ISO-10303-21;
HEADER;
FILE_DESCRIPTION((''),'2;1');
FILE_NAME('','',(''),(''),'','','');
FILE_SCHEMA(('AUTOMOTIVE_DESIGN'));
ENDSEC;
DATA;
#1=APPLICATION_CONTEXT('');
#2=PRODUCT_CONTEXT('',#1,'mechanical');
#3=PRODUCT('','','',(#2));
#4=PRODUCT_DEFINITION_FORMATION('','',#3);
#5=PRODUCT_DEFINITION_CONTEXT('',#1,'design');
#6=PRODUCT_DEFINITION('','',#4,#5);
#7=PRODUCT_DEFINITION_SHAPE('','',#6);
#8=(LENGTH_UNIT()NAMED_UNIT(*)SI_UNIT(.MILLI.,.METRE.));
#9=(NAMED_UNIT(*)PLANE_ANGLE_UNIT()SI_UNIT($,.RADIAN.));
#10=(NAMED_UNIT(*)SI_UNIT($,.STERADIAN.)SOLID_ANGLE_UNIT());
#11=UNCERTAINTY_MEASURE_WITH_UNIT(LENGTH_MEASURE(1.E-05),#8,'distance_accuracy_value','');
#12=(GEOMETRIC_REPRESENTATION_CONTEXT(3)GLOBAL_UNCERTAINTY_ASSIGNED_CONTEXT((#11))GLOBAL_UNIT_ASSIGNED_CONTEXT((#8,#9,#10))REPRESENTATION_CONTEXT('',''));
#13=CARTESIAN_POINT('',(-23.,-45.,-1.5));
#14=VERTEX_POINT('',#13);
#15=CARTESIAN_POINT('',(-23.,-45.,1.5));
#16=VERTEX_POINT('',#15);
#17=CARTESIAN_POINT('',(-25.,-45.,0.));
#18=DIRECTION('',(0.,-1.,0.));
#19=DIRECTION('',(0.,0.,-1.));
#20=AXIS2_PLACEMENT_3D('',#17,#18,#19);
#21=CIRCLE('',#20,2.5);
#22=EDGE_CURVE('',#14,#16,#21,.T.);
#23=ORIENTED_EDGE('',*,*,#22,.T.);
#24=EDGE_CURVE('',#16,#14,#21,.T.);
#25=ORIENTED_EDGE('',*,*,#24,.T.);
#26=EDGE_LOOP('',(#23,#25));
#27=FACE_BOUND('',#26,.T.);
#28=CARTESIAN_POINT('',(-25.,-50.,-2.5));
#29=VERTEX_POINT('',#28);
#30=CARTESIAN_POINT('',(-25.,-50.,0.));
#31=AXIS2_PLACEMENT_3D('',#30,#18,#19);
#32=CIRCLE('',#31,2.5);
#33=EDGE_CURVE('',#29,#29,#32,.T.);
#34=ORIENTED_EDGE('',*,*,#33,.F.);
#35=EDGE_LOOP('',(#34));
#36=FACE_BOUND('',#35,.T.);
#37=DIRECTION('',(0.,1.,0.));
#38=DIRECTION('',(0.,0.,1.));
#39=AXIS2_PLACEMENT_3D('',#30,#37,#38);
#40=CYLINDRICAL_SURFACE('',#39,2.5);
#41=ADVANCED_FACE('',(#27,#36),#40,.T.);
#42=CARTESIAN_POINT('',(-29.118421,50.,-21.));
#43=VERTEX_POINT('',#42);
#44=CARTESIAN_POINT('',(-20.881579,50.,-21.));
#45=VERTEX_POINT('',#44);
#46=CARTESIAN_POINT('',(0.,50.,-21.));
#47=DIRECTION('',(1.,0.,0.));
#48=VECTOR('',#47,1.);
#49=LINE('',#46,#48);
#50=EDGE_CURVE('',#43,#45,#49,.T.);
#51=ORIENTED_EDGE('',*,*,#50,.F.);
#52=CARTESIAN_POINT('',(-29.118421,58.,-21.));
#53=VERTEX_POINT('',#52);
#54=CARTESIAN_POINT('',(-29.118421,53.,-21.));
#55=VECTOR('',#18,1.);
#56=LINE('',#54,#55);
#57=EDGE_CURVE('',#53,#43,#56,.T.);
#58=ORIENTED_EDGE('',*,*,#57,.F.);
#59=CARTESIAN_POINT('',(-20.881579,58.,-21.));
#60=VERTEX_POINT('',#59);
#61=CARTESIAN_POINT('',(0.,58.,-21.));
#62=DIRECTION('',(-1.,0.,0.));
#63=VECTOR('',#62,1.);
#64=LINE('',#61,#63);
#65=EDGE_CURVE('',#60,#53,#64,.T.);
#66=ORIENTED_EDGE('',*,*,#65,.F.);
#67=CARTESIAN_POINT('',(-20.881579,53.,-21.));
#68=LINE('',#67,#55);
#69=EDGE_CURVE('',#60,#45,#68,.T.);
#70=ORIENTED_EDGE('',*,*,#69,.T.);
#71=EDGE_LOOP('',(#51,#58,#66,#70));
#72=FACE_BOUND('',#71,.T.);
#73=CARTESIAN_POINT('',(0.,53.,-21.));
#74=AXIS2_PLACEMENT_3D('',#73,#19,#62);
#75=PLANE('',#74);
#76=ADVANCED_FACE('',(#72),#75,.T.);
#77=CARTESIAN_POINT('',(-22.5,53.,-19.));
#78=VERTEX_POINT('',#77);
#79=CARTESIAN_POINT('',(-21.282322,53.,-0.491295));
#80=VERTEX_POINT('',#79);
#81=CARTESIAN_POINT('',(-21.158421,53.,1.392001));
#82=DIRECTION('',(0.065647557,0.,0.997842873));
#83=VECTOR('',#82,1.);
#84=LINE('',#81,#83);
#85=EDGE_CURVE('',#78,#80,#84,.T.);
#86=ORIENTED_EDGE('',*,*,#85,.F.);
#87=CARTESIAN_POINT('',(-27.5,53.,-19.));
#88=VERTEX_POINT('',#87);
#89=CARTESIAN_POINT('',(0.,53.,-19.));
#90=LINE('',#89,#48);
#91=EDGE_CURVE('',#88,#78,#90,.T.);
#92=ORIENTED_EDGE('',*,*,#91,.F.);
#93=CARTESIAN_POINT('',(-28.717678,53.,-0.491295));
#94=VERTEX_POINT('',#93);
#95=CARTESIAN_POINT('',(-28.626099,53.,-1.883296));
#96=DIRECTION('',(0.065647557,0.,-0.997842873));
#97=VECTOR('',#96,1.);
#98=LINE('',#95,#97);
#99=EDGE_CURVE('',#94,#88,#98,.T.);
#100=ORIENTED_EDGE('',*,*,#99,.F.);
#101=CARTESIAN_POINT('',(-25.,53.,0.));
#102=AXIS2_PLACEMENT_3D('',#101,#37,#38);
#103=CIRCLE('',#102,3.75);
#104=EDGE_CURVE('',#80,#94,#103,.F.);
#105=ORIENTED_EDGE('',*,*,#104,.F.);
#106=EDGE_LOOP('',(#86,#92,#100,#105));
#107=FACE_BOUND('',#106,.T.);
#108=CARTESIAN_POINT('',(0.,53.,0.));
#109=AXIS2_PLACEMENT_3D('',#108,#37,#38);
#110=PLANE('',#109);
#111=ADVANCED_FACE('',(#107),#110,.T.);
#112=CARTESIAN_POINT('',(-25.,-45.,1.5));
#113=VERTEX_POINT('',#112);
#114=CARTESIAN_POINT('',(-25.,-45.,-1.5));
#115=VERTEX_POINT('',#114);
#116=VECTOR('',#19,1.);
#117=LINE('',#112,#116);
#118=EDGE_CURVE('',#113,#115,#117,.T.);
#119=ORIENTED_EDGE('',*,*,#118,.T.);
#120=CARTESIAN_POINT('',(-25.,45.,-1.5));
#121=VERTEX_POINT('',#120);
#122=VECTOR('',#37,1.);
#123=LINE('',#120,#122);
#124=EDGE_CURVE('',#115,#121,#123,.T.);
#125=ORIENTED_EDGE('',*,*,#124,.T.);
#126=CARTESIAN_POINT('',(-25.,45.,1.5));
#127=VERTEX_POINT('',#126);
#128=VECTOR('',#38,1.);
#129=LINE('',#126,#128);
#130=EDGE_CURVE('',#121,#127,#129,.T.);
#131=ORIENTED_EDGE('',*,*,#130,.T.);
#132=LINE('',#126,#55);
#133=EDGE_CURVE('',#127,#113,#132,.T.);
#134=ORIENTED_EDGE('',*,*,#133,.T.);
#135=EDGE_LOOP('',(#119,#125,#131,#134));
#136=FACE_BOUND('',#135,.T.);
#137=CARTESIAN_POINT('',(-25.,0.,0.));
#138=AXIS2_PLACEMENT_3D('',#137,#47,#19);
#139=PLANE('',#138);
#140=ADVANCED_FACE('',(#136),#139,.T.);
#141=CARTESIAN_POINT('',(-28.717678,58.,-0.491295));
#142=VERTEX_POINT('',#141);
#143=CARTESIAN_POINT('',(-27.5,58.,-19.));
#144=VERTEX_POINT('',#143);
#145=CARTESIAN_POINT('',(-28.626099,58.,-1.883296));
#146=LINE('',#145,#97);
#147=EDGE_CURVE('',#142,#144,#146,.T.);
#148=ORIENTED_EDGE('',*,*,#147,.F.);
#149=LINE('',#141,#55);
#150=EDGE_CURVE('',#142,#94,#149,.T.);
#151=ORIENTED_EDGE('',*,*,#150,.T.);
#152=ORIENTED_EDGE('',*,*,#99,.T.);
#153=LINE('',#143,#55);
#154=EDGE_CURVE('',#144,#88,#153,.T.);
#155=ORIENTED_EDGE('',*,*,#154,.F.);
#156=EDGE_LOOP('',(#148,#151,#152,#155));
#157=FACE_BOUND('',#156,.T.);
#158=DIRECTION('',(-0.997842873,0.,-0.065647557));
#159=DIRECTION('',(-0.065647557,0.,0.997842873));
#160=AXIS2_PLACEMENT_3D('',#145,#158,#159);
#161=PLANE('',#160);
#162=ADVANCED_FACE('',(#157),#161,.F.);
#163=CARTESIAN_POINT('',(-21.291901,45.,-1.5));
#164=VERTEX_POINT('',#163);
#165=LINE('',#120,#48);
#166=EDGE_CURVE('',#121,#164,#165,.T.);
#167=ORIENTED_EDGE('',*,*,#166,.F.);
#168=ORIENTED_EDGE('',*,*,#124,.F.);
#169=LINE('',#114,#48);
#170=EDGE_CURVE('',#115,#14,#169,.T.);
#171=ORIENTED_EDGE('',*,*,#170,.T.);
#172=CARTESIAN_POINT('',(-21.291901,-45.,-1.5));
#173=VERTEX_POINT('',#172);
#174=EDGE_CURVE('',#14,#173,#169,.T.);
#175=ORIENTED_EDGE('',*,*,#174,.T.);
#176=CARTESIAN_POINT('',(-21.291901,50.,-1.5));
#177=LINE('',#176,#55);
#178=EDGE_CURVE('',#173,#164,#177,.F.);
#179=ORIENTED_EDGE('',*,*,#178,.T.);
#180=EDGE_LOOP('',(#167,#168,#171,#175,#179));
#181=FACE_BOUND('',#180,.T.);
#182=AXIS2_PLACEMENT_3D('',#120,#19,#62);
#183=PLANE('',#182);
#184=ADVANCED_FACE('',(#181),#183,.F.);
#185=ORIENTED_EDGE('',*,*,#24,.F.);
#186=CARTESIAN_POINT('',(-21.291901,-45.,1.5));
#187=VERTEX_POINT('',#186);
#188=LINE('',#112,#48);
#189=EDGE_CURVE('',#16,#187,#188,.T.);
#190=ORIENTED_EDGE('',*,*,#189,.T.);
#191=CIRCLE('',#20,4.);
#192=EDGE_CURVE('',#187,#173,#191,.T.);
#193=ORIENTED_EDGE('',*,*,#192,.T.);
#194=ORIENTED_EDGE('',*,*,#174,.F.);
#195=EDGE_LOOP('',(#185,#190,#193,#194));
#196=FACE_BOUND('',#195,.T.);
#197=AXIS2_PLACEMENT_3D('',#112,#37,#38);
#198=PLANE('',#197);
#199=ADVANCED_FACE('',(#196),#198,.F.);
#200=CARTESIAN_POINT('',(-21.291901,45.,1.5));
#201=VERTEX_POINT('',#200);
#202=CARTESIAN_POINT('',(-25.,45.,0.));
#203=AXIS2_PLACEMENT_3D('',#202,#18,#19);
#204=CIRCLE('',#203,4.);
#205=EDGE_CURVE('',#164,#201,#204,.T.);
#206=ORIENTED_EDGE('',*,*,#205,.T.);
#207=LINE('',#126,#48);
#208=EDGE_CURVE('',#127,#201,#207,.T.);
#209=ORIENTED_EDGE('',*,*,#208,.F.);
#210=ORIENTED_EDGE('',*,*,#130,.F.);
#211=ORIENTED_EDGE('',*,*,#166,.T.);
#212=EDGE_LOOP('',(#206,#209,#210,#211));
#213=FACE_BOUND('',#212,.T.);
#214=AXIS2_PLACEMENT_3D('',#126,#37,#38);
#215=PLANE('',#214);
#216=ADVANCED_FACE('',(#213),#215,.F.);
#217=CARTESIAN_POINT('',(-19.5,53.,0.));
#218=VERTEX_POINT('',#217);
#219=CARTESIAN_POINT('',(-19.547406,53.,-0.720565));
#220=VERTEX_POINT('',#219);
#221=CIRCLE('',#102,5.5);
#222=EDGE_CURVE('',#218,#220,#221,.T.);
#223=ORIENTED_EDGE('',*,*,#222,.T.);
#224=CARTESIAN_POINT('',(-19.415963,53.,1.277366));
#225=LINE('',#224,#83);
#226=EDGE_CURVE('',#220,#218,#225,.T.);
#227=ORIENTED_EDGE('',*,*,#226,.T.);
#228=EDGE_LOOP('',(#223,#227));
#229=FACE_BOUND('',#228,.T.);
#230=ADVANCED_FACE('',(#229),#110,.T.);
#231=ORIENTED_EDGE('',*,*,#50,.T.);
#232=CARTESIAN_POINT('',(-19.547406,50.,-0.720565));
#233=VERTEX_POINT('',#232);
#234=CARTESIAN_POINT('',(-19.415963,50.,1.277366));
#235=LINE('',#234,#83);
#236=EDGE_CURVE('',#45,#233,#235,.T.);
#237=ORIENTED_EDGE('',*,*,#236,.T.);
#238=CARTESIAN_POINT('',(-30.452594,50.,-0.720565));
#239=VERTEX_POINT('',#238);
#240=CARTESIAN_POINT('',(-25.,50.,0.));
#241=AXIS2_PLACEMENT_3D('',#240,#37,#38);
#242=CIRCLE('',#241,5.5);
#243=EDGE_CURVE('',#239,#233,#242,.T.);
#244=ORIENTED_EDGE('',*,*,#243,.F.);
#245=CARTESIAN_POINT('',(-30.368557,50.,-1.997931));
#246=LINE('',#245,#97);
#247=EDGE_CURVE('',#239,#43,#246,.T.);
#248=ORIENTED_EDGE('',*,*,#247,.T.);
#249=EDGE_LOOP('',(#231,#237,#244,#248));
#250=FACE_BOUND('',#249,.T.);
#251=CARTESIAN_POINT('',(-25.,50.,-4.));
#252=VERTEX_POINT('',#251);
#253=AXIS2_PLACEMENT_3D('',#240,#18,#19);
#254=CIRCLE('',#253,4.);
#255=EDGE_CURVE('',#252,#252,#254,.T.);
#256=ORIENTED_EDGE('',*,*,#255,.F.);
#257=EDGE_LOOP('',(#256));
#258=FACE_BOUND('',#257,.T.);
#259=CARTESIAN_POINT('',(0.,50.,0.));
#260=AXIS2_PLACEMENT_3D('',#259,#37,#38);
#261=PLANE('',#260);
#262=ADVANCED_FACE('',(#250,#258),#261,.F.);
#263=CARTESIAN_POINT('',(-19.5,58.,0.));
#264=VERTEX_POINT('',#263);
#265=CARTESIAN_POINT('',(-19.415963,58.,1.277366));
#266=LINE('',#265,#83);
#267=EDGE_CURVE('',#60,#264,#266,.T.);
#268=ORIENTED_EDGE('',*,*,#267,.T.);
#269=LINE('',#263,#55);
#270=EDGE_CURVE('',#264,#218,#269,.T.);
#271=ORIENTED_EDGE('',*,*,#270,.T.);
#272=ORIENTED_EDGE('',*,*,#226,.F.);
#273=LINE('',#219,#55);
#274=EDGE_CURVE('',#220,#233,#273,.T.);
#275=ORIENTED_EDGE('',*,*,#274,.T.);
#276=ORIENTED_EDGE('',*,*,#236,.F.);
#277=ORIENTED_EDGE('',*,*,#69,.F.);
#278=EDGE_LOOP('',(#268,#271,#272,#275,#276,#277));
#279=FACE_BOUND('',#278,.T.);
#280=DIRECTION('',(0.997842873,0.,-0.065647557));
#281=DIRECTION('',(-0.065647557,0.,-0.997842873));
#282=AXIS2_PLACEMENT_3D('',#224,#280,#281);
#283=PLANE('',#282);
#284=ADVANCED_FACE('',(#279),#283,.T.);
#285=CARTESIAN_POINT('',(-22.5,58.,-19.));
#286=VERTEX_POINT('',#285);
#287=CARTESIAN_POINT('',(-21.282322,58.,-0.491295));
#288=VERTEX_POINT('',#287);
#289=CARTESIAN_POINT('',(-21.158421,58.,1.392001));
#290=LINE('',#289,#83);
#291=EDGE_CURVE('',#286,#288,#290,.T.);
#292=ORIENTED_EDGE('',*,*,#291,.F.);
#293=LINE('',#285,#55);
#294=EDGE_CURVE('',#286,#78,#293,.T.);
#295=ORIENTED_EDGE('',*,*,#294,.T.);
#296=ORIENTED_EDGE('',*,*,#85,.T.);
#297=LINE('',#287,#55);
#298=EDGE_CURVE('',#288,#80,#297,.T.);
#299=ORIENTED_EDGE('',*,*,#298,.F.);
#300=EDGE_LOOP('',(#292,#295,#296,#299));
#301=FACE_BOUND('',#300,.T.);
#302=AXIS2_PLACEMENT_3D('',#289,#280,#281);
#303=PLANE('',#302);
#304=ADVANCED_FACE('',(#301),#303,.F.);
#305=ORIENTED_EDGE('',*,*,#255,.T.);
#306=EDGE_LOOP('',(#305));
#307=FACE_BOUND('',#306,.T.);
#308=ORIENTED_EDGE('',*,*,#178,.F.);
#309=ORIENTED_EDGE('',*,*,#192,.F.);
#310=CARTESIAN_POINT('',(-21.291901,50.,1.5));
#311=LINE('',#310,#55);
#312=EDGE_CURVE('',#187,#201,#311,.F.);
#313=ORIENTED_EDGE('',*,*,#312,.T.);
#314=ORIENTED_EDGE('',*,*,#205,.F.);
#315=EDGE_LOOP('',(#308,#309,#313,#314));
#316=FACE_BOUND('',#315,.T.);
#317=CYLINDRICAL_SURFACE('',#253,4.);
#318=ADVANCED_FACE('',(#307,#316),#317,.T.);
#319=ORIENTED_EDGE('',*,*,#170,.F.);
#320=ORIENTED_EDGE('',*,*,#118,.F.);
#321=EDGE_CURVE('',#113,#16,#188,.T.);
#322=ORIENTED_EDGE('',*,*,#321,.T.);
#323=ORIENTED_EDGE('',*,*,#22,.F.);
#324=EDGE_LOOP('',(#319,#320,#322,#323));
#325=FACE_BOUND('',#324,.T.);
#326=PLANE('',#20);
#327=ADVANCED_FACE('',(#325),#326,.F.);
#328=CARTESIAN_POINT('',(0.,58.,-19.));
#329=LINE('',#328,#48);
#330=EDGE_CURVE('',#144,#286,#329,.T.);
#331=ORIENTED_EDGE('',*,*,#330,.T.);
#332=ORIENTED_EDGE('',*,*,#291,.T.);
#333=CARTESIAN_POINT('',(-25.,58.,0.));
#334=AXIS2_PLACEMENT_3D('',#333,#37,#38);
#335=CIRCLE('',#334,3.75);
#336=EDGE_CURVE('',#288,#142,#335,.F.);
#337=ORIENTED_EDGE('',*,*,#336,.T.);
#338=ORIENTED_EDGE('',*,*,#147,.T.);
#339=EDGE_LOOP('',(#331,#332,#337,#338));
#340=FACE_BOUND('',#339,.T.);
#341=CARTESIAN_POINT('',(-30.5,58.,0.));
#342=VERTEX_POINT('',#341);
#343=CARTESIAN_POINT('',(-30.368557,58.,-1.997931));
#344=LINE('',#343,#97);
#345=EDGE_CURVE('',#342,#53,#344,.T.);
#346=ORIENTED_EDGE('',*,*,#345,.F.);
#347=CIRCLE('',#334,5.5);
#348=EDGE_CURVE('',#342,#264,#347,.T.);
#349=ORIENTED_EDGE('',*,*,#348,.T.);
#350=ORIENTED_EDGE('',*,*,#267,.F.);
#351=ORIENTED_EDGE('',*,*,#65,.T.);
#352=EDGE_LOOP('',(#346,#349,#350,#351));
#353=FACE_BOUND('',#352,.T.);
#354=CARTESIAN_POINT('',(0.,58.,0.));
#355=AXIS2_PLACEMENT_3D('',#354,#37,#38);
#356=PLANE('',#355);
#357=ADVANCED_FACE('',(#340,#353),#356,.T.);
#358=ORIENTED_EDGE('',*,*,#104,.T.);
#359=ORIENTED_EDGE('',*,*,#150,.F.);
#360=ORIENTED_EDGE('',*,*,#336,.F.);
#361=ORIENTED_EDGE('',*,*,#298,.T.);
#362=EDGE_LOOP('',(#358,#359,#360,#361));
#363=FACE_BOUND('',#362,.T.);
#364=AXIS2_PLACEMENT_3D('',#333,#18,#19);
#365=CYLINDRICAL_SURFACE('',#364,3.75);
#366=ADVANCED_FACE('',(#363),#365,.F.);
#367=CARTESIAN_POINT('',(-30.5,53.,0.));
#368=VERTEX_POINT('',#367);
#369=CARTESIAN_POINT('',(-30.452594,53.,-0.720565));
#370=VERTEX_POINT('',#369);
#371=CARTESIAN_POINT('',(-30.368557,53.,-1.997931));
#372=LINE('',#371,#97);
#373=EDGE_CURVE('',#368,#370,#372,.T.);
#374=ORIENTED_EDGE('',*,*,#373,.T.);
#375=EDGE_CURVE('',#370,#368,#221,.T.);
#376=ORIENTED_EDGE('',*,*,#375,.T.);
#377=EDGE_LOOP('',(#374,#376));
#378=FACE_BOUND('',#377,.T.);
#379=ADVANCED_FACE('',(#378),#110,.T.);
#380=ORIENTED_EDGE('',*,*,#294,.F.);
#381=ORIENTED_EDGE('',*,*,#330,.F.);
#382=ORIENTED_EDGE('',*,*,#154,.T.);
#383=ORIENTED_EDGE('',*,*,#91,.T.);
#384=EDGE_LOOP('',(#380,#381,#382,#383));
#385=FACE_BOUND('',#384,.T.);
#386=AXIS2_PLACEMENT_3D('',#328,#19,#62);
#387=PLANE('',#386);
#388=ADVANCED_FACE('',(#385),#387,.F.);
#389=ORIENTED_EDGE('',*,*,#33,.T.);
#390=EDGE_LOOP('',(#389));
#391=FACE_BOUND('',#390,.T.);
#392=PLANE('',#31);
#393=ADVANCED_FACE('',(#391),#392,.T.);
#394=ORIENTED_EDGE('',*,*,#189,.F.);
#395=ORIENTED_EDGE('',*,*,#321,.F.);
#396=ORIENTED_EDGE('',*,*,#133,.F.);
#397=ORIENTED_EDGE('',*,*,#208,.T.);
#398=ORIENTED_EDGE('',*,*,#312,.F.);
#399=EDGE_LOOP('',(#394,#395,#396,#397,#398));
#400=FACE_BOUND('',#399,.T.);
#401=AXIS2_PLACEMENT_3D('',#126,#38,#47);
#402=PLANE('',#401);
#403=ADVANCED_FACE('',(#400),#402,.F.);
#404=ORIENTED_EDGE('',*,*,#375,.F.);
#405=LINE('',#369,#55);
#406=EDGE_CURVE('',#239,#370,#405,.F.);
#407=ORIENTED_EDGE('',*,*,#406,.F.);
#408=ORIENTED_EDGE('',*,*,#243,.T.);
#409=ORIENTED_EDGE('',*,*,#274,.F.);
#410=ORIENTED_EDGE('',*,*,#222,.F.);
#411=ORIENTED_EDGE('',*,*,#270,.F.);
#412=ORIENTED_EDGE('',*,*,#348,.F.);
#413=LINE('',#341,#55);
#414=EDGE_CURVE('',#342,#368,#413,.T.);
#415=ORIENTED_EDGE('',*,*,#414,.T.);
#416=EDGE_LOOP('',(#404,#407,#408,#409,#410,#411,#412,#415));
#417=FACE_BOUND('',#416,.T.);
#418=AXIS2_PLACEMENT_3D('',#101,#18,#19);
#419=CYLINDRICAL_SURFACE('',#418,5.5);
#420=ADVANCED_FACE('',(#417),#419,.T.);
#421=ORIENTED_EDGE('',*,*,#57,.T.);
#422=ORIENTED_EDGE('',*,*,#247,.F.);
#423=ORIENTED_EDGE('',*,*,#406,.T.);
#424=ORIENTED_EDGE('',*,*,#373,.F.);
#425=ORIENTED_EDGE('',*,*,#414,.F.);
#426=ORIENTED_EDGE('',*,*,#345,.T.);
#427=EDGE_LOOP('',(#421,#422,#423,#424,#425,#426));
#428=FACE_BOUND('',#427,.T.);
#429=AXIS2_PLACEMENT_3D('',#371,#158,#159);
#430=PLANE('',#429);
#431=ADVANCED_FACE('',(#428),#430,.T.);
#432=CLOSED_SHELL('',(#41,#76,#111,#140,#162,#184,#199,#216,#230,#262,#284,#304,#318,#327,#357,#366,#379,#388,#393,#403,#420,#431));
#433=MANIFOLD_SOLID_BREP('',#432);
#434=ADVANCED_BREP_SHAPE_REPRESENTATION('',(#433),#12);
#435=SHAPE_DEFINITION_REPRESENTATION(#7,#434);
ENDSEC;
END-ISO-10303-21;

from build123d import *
from build123d.topology import SkipClean

# Parameters (mm, degrees)
SKETCH2_W                = 50
SKETCH2_H                = 90
BOSS_EXTRUDE1_DEPTH      = 1.5
BOSS_EXTRUDE2_DEPTH      = 45
BOSS_EXTRUDE2_DEPTH_BACK = 50
SKETCH3_R                = 4
BOSS_EXTRUDE3_DEPTH      = 3
BOSS_EXTRUDE4_DEPTH      = 5
SKETCH6_W                = 3
SKETCH6_H                = 90
CUT_EXTRUDE1_DEPTH       = 50
SKETCH7_R                = 2.5
BOSS_EXTRUDE5_DEPTH      = 5


with BuildPart() as part:
    # Sketch2 → Boss-Extrude1 (new, symmetric)
    with BuildSketch(Plane.XY):
        Rectangle(SKETCH2_W, SKETCH2_H)
    extrude(amount=BOSS_EXTRUDE1_DEPTH, both=True)

    # Sketch3 → Boss-Extrude2 (add, two sides: drawn at the far end of the back side and taken through both)
    with BuildSketch(Plane.XZ.offset(-BOSS_EXTRUDE2_DEPTH_BACK)):
        with Locations(Location((-25, 0, 0), (0, 0, 270))):
            Circle(SKETCH3_R)
    extrude(amount=BOSS_EXTRUDE2_DEPTH + BOSS_EXTRUDE2_DEPTH_BACK)

    # Sketch4 → Boss-Extrude3 (add)
    with BuildSketch(Plane(origin=(0, 50, 0), x_dir=(1, 0, 0), z_dir=(0, 1, 0))):
        with BuildLine():
            ThreePointArc((-30.45259438, 0.72056542), (-25, -5.5), (-19.54740562, 0.72056542))
            Line((-19.54740562, 0.72056542), (-20.881578947, 21))
            Line((-20.881578947, 21), (-29.118421053, 21))
            Line((-29.118421053, 21), (-30.45259438, 0.72056542))
        make_face()
    extrude(amount=BOSS_EXTRUDE3_DEPTH)

    # Sketch5 → Boss-Extrude4 (add)
    with SkipClean():  # the faces are left unmerged after this step: merging them gives an invalid solid
        with BuildSketch(Plane(origin=(0, 53, -53), x_dir=(1, 0, 0), z_dir=(0, -1, 0))):
            with BuildLine():
                Line((-30.5, 53), (-29.118421053, 32))
                Line((-29.118421053, 32), (-20.881578947, 32))
                Line((-20.881578947, 32), (-19.5, 53))
                ThreePointArc((-19.5, 53), (-25, 58.5), (-30.5, 53))
            make_face()
            with BuildLine():
                ThreePointArc((-28.717677987, 52.508705396), (-25, 56.75), (-21.282322013, 52.508705396))
                Line((-21.282322013, 52.508705396), (-22.5, 34))
                Line((-22.5, 34), (-27.5, 34))
                Line((-27.5, 34), (-28.717677987, 52.508705396))
            make_face(mode=Mode.SUBTRACT)
        extrude(amount=-BOSS_EXTRUDE4_DEPTH)

    # Sketch6 → Cut-Extrude1 (cut)
    with SkipClean():  # the faces are left unmerged after this step: merging them gives an invalid solid
        with BuildSketch(Plane(origin=(25, 0, 0), x_dir=(0, 0, -1), z_dir=(1, 0, 0))):
            Rectangle(SKETCH6_W, SKETCH6_H)
        extrude(amount=-CUT_EXTRUDE1_DEPTH, mode=Mode.SUBTRACT)

    # Sketch7 → Boss-Extrude5 (add)
    with SkipClean():  # the faces are left unmerged after this step: merging them gives an invalid solid
        with BuildSketch(Plane.XZ.offset(45)):
            with Locations(Location((-25, 0, 0), (0, 0, 36.869897646))):
                Circle(SKETCH7_R)
        extrude(amount=BOSS_EXTRUDE5_DEPTH)


solid = part.part
